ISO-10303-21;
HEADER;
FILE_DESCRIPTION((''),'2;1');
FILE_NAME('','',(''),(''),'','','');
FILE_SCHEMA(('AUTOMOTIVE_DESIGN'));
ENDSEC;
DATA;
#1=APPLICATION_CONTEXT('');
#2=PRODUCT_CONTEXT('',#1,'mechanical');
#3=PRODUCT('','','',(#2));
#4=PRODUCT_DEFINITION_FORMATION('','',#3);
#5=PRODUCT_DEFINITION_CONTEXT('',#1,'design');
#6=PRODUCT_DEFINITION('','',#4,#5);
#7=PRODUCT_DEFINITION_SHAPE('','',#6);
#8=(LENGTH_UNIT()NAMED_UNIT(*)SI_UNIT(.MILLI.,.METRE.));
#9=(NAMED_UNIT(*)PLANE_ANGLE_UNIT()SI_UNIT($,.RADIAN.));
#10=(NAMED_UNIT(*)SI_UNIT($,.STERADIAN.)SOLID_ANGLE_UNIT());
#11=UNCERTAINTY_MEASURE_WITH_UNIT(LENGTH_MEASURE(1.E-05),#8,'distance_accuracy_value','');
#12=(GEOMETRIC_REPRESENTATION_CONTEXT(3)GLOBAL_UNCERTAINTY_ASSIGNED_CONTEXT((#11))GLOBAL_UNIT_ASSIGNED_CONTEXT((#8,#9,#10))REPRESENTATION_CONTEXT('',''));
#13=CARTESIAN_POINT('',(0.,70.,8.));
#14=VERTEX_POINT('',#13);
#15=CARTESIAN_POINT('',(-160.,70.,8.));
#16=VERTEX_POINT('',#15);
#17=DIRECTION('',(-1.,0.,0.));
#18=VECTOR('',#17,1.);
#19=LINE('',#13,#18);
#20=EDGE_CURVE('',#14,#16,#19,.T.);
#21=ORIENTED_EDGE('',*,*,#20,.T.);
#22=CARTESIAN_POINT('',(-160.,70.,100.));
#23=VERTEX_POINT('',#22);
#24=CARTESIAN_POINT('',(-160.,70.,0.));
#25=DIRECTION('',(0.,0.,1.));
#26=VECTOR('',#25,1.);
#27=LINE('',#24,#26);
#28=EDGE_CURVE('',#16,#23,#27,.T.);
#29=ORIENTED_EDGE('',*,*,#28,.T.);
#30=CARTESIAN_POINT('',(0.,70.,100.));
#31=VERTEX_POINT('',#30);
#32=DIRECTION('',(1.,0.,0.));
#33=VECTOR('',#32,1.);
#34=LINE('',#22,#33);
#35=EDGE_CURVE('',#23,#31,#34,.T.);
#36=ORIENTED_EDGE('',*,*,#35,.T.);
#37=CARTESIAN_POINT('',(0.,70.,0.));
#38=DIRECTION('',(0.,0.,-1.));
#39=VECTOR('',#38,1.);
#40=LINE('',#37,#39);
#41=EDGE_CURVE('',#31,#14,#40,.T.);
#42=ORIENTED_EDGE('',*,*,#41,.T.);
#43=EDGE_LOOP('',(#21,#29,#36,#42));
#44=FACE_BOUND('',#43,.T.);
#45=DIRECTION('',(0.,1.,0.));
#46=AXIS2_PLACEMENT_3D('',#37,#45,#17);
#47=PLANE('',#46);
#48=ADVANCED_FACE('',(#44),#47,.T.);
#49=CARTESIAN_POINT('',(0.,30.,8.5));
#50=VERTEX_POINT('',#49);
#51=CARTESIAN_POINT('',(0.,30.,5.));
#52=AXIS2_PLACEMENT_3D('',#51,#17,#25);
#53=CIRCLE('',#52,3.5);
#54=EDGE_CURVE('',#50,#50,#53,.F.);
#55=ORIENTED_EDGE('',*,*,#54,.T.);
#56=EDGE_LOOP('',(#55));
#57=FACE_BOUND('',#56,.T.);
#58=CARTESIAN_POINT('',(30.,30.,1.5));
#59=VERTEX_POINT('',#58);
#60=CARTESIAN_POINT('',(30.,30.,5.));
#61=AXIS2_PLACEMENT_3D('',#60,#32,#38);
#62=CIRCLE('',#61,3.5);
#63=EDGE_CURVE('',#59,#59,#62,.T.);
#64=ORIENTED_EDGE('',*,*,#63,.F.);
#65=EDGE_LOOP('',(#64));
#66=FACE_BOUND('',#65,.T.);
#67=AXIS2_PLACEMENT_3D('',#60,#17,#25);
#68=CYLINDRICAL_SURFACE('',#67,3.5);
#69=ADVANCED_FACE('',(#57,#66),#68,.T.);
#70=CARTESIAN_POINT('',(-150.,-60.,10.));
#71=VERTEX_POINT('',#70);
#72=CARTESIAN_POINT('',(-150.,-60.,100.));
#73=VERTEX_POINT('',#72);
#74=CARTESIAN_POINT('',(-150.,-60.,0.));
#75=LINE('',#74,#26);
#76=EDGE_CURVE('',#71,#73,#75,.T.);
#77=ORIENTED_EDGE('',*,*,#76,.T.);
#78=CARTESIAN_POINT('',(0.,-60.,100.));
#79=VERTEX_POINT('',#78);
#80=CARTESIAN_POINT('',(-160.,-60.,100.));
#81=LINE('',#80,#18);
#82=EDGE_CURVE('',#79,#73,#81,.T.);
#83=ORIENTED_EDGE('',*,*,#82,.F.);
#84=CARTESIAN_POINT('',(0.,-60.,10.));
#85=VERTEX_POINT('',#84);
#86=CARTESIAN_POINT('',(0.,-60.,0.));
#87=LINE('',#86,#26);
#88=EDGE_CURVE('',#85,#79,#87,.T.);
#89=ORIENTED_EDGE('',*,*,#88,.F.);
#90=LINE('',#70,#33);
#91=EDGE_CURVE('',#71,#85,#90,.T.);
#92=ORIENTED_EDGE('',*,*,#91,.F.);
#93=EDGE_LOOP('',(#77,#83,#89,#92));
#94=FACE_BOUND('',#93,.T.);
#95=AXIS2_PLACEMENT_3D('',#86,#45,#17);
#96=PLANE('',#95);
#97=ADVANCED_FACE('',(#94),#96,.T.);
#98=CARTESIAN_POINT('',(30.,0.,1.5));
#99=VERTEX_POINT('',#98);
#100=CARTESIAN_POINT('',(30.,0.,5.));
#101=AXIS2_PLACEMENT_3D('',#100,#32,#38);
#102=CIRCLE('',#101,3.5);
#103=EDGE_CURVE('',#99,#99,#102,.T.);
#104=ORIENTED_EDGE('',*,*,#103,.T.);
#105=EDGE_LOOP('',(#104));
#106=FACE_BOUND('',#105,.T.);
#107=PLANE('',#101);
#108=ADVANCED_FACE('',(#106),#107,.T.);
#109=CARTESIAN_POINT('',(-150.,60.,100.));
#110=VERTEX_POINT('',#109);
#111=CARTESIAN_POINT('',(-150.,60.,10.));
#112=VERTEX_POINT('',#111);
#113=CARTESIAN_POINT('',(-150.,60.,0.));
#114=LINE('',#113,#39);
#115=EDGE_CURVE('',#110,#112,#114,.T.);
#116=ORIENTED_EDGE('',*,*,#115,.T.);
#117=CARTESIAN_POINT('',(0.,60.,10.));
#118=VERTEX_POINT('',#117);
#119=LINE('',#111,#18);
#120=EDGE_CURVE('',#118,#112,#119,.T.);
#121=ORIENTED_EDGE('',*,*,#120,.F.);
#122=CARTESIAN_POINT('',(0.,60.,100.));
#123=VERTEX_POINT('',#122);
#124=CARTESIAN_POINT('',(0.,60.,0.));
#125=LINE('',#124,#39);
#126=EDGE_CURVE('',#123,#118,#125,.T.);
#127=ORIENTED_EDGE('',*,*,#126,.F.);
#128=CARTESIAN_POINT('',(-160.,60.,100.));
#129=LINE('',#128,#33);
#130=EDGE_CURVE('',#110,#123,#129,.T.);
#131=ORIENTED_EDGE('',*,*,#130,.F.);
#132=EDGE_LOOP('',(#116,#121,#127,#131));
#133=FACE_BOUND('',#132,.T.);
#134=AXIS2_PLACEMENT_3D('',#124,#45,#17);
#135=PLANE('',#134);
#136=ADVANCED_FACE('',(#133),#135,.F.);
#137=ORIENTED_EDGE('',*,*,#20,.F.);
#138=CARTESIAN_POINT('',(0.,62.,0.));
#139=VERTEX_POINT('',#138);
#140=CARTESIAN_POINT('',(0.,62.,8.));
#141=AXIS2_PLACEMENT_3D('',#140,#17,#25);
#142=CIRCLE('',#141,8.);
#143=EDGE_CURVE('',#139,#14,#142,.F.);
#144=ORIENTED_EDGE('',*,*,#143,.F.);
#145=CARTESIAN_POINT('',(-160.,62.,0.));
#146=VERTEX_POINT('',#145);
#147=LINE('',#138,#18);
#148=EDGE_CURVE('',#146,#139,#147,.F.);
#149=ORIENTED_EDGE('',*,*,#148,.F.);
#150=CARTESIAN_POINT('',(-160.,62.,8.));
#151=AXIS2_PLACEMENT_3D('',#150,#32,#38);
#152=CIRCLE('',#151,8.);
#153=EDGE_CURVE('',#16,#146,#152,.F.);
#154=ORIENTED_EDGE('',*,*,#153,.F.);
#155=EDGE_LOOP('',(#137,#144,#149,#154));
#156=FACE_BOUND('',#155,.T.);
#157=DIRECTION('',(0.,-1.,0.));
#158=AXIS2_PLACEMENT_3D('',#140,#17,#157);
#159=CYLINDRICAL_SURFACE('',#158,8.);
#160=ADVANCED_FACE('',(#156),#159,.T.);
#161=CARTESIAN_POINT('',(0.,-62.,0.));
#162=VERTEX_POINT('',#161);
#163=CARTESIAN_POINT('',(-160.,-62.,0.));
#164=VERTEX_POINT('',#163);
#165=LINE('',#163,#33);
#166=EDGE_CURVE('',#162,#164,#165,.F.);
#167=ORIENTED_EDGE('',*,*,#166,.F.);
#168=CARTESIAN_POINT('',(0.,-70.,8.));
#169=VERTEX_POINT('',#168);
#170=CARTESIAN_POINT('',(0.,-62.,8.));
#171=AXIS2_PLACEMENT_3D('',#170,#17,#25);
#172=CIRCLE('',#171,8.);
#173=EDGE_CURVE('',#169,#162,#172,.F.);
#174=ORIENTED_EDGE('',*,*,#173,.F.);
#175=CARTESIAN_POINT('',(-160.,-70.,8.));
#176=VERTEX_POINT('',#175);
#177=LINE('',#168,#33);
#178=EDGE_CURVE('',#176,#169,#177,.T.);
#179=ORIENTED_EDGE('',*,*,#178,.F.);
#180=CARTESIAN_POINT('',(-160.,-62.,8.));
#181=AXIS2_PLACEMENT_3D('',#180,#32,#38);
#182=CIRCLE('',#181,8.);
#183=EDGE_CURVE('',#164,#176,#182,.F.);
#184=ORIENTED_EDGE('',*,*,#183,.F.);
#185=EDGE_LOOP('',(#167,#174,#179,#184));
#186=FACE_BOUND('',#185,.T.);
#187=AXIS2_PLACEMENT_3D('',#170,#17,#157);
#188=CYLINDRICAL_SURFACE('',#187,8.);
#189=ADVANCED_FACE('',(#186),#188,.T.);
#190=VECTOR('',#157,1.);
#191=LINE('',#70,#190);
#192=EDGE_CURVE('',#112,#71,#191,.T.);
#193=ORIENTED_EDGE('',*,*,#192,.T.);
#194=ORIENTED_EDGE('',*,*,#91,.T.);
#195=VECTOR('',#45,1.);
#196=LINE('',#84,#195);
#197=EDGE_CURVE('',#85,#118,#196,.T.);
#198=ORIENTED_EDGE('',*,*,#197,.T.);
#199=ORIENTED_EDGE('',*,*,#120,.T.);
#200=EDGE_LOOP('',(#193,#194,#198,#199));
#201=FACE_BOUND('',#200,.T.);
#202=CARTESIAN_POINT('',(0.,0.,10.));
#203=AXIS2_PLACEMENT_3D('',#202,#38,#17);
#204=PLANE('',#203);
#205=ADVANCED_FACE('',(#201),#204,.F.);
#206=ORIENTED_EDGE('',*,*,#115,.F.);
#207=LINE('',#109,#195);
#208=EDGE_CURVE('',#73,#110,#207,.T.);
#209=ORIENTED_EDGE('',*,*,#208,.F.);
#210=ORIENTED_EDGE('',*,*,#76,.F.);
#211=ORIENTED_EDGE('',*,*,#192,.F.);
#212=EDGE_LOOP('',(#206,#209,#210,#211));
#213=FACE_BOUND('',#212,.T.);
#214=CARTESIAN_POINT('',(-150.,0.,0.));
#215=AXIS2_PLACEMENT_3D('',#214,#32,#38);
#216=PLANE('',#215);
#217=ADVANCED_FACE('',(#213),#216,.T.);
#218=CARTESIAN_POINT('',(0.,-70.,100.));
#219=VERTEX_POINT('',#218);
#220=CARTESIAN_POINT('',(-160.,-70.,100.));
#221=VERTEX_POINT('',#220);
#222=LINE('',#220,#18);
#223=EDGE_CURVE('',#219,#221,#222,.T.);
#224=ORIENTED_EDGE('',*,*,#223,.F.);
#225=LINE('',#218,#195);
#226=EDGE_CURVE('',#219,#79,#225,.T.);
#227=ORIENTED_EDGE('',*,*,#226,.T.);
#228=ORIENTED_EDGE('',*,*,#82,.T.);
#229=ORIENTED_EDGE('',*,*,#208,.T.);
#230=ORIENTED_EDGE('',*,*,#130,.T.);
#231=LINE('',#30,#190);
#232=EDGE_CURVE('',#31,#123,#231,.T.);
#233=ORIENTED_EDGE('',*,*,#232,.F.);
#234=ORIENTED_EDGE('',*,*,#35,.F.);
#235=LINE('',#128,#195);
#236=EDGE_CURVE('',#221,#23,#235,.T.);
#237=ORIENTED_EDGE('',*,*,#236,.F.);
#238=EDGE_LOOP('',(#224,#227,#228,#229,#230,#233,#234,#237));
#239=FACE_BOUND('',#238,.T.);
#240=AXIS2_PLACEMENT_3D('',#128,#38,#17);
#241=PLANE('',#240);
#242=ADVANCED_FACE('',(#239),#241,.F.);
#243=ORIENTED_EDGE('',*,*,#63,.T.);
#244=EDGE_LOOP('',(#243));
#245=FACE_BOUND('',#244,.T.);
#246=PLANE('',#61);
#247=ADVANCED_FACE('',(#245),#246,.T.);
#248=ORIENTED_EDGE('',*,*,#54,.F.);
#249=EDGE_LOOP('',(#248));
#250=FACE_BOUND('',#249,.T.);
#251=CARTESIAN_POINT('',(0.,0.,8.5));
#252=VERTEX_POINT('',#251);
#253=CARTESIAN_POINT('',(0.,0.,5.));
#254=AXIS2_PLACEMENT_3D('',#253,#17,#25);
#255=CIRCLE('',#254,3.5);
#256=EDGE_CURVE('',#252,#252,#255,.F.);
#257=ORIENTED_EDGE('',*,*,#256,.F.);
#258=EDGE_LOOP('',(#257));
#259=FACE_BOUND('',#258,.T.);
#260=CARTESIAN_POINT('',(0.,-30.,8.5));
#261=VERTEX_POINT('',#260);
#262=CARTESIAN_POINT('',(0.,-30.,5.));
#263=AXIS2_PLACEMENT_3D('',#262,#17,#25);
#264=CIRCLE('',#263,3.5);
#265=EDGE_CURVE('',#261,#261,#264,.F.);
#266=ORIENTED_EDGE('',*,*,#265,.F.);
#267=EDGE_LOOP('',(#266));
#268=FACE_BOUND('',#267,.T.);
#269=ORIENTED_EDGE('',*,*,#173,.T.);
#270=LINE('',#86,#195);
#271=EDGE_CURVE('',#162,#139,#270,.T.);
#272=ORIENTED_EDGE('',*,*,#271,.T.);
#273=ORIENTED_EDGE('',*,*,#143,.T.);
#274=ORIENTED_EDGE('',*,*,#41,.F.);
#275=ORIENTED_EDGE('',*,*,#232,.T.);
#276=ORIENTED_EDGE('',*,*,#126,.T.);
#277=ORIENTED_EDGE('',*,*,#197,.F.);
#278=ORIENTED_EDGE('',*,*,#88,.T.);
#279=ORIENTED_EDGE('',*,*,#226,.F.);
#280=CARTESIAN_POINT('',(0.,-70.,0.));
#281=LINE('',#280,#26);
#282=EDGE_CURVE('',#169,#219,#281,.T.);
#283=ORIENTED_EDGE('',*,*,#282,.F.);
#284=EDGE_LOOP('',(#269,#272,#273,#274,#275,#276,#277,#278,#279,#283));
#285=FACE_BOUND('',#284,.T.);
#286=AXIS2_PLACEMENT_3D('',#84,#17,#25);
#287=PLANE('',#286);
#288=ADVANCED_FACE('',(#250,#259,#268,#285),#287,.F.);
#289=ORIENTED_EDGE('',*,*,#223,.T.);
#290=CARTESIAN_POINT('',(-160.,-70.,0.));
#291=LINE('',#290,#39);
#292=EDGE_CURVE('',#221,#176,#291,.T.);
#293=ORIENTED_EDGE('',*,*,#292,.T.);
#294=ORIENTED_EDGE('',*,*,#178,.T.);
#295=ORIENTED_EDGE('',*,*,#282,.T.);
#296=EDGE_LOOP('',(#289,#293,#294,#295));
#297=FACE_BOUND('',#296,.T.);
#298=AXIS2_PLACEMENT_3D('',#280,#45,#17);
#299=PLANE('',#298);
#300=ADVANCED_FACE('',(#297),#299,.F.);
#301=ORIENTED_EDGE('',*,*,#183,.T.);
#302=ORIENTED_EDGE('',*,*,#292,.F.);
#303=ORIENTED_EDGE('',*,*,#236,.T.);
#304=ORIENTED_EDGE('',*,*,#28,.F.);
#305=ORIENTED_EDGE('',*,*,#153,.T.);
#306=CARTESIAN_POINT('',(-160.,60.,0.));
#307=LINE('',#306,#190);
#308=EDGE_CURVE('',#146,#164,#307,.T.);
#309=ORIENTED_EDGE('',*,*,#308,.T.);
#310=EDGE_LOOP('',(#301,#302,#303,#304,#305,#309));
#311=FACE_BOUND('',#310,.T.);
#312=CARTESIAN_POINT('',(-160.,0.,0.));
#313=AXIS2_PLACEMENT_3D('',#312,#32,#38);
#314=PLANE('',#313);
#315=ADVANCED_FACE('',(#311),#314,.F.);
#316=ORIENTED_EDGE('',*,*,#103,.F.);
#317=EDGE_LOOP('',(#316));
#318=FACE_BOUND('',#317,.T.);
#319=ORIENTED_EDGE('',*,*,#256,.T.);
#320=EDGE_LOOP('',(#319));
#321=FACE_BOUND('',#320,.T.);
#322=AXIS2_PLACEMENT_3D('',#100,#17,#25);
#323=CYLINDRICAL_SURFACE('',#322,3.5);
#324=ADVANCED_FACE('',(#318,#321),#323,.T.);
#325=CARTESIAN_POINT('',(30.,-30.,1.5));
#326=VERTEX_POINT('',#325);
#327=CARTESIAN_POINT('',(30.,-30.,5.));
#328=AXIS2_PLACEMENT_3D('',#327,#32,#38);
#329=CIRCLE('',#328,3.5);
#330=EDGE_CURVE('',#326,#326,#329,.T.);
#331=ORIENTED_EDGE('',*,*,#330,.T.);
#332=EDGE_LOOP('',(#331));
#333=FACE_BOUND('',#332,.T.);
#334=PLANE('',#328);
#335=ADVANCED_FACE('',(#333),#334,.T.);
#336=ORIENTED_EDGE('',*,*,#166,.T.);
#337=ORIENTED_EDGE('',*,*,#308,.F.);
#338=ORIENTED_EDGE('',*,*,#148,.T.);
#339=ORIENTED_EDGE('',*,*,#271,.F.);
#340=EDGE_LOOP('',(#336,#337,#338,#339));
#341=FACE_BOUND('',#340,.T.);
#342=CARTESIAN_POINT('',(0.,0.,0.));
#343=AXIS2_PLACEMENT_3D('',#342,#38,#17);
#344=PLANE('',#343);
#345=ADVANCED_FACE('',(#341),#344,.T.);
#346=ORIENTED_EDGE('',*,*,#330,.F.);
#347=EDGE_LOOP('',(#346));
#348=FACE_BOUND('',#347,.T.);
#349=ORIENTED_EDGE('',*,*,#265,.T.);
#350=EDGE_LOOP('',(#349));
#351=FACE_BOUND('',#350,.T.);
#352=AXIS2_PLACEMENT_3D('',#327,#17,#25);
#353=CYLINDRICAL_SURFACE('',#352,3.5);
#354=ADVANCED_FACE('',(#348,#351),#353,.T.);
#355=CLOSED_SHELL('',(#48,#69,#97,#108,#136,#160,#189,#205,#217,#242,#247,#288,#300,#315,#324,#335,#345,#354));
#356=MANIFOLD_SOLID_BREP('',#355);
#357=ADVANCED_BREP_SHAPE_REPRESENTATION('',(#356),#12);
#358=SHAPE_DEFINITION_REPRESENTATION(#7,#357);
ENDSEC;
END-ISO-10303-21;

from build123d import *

# Parameters (mm, degrees)
SKETCH1_W               = 150
SKETCH1_H               = 120
BOSS_EXTRUDE1_DEPTH     = 10
SKETCH2_R               = 3.5
BOSS_EXTRUDE2_DEPTH     = 30
CROQUIS2_W              = 100
CROQUIS2_H              = 120
SALIENTE_EXTRUIR1_DEPTH = 10
CROQUIS3_W              = 160
CROQUIS3_H              = 100
SALIENTE_EXTRUIR2_DEPTH = 10
CROQUIS4_W              = 160
CROQUIS4_H              = 100
SALIENTE_EXTRUIR3_DEPTH = 10
FILLET1_R               = 8


with BuildPart() as part:
    # Sketch1 → Boss-Extrude1 (new body)
    with BuildSketch(Plane.XY):
        with Locations((-75, 0)):
            Rectangle(SKETCH1_W, SKETCH1_H)
    extrude(amount=BOSS_EXTRUDE1_DEPTH)

    # Sketch2 → Boss-Extrude2 (add)
    with BuildSketch(Plane(origin=(0, 0, 0), x_dir=(0, 0, -1), z_dir=(1, 0, 0))):
        with Locations(Location((-5, 30, 0), (0, 0, 180))):
            Circle(SKETCH2_R)
        with Locations(Location((-5, -30, 0), (0, 0, 180))):
            Circle(SKETCH2_R)
        with Locations(Location((-5, 0, 0), (0, 0, 180))):
            Circle(SKETCH2_R)
    extrude(amount=BOSS_EXTRUDE2_DEPTH)

    # Croquis2 → Saliente-Extruir1 (add)
    with BuildSketch(Plane.ZY.offset(150)):
        with Locations((50, 0)):
            Rectangle(CROQUIS2_W, CROQUIS2_H)
    extrude(amount=SALIENTE_EXTRUIR1_DEPTH)

    # Croquis3 → Saliente-Extruir2 (add)
    with BuildSketch(Plane.XZ.offset(60)):
        with Locations((-80, 50)):
            Rectangle(CROQUIS3_W, CROQUIS3_H)
    extrude(amount=SALIENTE_EXTRUIR2_DEPTH)

    # Croquis4 → Saliente-Extruir3 (add)
    with BuildSketch(Plane(origin=(0, 60, 0), x_dir=(1, 0, 0), z_dir=(0, 1, 0))):
        with Locations((-80, -50)):
            Rectangle(CROQUIS4_W, CROQUIS4_H)
    extrude(amount=SALIENTE_EXTRUIR3_DEPTH)

    # Fillet1
    fillet1_edges = [part.edges().sort_by_distance(p)[0] for p in [
        (-80, -70, 0),
        (-80, 70, 0),
    ]]
    fillet(fillet1_edges, radius=FILLET1_R)


solid = part.part
